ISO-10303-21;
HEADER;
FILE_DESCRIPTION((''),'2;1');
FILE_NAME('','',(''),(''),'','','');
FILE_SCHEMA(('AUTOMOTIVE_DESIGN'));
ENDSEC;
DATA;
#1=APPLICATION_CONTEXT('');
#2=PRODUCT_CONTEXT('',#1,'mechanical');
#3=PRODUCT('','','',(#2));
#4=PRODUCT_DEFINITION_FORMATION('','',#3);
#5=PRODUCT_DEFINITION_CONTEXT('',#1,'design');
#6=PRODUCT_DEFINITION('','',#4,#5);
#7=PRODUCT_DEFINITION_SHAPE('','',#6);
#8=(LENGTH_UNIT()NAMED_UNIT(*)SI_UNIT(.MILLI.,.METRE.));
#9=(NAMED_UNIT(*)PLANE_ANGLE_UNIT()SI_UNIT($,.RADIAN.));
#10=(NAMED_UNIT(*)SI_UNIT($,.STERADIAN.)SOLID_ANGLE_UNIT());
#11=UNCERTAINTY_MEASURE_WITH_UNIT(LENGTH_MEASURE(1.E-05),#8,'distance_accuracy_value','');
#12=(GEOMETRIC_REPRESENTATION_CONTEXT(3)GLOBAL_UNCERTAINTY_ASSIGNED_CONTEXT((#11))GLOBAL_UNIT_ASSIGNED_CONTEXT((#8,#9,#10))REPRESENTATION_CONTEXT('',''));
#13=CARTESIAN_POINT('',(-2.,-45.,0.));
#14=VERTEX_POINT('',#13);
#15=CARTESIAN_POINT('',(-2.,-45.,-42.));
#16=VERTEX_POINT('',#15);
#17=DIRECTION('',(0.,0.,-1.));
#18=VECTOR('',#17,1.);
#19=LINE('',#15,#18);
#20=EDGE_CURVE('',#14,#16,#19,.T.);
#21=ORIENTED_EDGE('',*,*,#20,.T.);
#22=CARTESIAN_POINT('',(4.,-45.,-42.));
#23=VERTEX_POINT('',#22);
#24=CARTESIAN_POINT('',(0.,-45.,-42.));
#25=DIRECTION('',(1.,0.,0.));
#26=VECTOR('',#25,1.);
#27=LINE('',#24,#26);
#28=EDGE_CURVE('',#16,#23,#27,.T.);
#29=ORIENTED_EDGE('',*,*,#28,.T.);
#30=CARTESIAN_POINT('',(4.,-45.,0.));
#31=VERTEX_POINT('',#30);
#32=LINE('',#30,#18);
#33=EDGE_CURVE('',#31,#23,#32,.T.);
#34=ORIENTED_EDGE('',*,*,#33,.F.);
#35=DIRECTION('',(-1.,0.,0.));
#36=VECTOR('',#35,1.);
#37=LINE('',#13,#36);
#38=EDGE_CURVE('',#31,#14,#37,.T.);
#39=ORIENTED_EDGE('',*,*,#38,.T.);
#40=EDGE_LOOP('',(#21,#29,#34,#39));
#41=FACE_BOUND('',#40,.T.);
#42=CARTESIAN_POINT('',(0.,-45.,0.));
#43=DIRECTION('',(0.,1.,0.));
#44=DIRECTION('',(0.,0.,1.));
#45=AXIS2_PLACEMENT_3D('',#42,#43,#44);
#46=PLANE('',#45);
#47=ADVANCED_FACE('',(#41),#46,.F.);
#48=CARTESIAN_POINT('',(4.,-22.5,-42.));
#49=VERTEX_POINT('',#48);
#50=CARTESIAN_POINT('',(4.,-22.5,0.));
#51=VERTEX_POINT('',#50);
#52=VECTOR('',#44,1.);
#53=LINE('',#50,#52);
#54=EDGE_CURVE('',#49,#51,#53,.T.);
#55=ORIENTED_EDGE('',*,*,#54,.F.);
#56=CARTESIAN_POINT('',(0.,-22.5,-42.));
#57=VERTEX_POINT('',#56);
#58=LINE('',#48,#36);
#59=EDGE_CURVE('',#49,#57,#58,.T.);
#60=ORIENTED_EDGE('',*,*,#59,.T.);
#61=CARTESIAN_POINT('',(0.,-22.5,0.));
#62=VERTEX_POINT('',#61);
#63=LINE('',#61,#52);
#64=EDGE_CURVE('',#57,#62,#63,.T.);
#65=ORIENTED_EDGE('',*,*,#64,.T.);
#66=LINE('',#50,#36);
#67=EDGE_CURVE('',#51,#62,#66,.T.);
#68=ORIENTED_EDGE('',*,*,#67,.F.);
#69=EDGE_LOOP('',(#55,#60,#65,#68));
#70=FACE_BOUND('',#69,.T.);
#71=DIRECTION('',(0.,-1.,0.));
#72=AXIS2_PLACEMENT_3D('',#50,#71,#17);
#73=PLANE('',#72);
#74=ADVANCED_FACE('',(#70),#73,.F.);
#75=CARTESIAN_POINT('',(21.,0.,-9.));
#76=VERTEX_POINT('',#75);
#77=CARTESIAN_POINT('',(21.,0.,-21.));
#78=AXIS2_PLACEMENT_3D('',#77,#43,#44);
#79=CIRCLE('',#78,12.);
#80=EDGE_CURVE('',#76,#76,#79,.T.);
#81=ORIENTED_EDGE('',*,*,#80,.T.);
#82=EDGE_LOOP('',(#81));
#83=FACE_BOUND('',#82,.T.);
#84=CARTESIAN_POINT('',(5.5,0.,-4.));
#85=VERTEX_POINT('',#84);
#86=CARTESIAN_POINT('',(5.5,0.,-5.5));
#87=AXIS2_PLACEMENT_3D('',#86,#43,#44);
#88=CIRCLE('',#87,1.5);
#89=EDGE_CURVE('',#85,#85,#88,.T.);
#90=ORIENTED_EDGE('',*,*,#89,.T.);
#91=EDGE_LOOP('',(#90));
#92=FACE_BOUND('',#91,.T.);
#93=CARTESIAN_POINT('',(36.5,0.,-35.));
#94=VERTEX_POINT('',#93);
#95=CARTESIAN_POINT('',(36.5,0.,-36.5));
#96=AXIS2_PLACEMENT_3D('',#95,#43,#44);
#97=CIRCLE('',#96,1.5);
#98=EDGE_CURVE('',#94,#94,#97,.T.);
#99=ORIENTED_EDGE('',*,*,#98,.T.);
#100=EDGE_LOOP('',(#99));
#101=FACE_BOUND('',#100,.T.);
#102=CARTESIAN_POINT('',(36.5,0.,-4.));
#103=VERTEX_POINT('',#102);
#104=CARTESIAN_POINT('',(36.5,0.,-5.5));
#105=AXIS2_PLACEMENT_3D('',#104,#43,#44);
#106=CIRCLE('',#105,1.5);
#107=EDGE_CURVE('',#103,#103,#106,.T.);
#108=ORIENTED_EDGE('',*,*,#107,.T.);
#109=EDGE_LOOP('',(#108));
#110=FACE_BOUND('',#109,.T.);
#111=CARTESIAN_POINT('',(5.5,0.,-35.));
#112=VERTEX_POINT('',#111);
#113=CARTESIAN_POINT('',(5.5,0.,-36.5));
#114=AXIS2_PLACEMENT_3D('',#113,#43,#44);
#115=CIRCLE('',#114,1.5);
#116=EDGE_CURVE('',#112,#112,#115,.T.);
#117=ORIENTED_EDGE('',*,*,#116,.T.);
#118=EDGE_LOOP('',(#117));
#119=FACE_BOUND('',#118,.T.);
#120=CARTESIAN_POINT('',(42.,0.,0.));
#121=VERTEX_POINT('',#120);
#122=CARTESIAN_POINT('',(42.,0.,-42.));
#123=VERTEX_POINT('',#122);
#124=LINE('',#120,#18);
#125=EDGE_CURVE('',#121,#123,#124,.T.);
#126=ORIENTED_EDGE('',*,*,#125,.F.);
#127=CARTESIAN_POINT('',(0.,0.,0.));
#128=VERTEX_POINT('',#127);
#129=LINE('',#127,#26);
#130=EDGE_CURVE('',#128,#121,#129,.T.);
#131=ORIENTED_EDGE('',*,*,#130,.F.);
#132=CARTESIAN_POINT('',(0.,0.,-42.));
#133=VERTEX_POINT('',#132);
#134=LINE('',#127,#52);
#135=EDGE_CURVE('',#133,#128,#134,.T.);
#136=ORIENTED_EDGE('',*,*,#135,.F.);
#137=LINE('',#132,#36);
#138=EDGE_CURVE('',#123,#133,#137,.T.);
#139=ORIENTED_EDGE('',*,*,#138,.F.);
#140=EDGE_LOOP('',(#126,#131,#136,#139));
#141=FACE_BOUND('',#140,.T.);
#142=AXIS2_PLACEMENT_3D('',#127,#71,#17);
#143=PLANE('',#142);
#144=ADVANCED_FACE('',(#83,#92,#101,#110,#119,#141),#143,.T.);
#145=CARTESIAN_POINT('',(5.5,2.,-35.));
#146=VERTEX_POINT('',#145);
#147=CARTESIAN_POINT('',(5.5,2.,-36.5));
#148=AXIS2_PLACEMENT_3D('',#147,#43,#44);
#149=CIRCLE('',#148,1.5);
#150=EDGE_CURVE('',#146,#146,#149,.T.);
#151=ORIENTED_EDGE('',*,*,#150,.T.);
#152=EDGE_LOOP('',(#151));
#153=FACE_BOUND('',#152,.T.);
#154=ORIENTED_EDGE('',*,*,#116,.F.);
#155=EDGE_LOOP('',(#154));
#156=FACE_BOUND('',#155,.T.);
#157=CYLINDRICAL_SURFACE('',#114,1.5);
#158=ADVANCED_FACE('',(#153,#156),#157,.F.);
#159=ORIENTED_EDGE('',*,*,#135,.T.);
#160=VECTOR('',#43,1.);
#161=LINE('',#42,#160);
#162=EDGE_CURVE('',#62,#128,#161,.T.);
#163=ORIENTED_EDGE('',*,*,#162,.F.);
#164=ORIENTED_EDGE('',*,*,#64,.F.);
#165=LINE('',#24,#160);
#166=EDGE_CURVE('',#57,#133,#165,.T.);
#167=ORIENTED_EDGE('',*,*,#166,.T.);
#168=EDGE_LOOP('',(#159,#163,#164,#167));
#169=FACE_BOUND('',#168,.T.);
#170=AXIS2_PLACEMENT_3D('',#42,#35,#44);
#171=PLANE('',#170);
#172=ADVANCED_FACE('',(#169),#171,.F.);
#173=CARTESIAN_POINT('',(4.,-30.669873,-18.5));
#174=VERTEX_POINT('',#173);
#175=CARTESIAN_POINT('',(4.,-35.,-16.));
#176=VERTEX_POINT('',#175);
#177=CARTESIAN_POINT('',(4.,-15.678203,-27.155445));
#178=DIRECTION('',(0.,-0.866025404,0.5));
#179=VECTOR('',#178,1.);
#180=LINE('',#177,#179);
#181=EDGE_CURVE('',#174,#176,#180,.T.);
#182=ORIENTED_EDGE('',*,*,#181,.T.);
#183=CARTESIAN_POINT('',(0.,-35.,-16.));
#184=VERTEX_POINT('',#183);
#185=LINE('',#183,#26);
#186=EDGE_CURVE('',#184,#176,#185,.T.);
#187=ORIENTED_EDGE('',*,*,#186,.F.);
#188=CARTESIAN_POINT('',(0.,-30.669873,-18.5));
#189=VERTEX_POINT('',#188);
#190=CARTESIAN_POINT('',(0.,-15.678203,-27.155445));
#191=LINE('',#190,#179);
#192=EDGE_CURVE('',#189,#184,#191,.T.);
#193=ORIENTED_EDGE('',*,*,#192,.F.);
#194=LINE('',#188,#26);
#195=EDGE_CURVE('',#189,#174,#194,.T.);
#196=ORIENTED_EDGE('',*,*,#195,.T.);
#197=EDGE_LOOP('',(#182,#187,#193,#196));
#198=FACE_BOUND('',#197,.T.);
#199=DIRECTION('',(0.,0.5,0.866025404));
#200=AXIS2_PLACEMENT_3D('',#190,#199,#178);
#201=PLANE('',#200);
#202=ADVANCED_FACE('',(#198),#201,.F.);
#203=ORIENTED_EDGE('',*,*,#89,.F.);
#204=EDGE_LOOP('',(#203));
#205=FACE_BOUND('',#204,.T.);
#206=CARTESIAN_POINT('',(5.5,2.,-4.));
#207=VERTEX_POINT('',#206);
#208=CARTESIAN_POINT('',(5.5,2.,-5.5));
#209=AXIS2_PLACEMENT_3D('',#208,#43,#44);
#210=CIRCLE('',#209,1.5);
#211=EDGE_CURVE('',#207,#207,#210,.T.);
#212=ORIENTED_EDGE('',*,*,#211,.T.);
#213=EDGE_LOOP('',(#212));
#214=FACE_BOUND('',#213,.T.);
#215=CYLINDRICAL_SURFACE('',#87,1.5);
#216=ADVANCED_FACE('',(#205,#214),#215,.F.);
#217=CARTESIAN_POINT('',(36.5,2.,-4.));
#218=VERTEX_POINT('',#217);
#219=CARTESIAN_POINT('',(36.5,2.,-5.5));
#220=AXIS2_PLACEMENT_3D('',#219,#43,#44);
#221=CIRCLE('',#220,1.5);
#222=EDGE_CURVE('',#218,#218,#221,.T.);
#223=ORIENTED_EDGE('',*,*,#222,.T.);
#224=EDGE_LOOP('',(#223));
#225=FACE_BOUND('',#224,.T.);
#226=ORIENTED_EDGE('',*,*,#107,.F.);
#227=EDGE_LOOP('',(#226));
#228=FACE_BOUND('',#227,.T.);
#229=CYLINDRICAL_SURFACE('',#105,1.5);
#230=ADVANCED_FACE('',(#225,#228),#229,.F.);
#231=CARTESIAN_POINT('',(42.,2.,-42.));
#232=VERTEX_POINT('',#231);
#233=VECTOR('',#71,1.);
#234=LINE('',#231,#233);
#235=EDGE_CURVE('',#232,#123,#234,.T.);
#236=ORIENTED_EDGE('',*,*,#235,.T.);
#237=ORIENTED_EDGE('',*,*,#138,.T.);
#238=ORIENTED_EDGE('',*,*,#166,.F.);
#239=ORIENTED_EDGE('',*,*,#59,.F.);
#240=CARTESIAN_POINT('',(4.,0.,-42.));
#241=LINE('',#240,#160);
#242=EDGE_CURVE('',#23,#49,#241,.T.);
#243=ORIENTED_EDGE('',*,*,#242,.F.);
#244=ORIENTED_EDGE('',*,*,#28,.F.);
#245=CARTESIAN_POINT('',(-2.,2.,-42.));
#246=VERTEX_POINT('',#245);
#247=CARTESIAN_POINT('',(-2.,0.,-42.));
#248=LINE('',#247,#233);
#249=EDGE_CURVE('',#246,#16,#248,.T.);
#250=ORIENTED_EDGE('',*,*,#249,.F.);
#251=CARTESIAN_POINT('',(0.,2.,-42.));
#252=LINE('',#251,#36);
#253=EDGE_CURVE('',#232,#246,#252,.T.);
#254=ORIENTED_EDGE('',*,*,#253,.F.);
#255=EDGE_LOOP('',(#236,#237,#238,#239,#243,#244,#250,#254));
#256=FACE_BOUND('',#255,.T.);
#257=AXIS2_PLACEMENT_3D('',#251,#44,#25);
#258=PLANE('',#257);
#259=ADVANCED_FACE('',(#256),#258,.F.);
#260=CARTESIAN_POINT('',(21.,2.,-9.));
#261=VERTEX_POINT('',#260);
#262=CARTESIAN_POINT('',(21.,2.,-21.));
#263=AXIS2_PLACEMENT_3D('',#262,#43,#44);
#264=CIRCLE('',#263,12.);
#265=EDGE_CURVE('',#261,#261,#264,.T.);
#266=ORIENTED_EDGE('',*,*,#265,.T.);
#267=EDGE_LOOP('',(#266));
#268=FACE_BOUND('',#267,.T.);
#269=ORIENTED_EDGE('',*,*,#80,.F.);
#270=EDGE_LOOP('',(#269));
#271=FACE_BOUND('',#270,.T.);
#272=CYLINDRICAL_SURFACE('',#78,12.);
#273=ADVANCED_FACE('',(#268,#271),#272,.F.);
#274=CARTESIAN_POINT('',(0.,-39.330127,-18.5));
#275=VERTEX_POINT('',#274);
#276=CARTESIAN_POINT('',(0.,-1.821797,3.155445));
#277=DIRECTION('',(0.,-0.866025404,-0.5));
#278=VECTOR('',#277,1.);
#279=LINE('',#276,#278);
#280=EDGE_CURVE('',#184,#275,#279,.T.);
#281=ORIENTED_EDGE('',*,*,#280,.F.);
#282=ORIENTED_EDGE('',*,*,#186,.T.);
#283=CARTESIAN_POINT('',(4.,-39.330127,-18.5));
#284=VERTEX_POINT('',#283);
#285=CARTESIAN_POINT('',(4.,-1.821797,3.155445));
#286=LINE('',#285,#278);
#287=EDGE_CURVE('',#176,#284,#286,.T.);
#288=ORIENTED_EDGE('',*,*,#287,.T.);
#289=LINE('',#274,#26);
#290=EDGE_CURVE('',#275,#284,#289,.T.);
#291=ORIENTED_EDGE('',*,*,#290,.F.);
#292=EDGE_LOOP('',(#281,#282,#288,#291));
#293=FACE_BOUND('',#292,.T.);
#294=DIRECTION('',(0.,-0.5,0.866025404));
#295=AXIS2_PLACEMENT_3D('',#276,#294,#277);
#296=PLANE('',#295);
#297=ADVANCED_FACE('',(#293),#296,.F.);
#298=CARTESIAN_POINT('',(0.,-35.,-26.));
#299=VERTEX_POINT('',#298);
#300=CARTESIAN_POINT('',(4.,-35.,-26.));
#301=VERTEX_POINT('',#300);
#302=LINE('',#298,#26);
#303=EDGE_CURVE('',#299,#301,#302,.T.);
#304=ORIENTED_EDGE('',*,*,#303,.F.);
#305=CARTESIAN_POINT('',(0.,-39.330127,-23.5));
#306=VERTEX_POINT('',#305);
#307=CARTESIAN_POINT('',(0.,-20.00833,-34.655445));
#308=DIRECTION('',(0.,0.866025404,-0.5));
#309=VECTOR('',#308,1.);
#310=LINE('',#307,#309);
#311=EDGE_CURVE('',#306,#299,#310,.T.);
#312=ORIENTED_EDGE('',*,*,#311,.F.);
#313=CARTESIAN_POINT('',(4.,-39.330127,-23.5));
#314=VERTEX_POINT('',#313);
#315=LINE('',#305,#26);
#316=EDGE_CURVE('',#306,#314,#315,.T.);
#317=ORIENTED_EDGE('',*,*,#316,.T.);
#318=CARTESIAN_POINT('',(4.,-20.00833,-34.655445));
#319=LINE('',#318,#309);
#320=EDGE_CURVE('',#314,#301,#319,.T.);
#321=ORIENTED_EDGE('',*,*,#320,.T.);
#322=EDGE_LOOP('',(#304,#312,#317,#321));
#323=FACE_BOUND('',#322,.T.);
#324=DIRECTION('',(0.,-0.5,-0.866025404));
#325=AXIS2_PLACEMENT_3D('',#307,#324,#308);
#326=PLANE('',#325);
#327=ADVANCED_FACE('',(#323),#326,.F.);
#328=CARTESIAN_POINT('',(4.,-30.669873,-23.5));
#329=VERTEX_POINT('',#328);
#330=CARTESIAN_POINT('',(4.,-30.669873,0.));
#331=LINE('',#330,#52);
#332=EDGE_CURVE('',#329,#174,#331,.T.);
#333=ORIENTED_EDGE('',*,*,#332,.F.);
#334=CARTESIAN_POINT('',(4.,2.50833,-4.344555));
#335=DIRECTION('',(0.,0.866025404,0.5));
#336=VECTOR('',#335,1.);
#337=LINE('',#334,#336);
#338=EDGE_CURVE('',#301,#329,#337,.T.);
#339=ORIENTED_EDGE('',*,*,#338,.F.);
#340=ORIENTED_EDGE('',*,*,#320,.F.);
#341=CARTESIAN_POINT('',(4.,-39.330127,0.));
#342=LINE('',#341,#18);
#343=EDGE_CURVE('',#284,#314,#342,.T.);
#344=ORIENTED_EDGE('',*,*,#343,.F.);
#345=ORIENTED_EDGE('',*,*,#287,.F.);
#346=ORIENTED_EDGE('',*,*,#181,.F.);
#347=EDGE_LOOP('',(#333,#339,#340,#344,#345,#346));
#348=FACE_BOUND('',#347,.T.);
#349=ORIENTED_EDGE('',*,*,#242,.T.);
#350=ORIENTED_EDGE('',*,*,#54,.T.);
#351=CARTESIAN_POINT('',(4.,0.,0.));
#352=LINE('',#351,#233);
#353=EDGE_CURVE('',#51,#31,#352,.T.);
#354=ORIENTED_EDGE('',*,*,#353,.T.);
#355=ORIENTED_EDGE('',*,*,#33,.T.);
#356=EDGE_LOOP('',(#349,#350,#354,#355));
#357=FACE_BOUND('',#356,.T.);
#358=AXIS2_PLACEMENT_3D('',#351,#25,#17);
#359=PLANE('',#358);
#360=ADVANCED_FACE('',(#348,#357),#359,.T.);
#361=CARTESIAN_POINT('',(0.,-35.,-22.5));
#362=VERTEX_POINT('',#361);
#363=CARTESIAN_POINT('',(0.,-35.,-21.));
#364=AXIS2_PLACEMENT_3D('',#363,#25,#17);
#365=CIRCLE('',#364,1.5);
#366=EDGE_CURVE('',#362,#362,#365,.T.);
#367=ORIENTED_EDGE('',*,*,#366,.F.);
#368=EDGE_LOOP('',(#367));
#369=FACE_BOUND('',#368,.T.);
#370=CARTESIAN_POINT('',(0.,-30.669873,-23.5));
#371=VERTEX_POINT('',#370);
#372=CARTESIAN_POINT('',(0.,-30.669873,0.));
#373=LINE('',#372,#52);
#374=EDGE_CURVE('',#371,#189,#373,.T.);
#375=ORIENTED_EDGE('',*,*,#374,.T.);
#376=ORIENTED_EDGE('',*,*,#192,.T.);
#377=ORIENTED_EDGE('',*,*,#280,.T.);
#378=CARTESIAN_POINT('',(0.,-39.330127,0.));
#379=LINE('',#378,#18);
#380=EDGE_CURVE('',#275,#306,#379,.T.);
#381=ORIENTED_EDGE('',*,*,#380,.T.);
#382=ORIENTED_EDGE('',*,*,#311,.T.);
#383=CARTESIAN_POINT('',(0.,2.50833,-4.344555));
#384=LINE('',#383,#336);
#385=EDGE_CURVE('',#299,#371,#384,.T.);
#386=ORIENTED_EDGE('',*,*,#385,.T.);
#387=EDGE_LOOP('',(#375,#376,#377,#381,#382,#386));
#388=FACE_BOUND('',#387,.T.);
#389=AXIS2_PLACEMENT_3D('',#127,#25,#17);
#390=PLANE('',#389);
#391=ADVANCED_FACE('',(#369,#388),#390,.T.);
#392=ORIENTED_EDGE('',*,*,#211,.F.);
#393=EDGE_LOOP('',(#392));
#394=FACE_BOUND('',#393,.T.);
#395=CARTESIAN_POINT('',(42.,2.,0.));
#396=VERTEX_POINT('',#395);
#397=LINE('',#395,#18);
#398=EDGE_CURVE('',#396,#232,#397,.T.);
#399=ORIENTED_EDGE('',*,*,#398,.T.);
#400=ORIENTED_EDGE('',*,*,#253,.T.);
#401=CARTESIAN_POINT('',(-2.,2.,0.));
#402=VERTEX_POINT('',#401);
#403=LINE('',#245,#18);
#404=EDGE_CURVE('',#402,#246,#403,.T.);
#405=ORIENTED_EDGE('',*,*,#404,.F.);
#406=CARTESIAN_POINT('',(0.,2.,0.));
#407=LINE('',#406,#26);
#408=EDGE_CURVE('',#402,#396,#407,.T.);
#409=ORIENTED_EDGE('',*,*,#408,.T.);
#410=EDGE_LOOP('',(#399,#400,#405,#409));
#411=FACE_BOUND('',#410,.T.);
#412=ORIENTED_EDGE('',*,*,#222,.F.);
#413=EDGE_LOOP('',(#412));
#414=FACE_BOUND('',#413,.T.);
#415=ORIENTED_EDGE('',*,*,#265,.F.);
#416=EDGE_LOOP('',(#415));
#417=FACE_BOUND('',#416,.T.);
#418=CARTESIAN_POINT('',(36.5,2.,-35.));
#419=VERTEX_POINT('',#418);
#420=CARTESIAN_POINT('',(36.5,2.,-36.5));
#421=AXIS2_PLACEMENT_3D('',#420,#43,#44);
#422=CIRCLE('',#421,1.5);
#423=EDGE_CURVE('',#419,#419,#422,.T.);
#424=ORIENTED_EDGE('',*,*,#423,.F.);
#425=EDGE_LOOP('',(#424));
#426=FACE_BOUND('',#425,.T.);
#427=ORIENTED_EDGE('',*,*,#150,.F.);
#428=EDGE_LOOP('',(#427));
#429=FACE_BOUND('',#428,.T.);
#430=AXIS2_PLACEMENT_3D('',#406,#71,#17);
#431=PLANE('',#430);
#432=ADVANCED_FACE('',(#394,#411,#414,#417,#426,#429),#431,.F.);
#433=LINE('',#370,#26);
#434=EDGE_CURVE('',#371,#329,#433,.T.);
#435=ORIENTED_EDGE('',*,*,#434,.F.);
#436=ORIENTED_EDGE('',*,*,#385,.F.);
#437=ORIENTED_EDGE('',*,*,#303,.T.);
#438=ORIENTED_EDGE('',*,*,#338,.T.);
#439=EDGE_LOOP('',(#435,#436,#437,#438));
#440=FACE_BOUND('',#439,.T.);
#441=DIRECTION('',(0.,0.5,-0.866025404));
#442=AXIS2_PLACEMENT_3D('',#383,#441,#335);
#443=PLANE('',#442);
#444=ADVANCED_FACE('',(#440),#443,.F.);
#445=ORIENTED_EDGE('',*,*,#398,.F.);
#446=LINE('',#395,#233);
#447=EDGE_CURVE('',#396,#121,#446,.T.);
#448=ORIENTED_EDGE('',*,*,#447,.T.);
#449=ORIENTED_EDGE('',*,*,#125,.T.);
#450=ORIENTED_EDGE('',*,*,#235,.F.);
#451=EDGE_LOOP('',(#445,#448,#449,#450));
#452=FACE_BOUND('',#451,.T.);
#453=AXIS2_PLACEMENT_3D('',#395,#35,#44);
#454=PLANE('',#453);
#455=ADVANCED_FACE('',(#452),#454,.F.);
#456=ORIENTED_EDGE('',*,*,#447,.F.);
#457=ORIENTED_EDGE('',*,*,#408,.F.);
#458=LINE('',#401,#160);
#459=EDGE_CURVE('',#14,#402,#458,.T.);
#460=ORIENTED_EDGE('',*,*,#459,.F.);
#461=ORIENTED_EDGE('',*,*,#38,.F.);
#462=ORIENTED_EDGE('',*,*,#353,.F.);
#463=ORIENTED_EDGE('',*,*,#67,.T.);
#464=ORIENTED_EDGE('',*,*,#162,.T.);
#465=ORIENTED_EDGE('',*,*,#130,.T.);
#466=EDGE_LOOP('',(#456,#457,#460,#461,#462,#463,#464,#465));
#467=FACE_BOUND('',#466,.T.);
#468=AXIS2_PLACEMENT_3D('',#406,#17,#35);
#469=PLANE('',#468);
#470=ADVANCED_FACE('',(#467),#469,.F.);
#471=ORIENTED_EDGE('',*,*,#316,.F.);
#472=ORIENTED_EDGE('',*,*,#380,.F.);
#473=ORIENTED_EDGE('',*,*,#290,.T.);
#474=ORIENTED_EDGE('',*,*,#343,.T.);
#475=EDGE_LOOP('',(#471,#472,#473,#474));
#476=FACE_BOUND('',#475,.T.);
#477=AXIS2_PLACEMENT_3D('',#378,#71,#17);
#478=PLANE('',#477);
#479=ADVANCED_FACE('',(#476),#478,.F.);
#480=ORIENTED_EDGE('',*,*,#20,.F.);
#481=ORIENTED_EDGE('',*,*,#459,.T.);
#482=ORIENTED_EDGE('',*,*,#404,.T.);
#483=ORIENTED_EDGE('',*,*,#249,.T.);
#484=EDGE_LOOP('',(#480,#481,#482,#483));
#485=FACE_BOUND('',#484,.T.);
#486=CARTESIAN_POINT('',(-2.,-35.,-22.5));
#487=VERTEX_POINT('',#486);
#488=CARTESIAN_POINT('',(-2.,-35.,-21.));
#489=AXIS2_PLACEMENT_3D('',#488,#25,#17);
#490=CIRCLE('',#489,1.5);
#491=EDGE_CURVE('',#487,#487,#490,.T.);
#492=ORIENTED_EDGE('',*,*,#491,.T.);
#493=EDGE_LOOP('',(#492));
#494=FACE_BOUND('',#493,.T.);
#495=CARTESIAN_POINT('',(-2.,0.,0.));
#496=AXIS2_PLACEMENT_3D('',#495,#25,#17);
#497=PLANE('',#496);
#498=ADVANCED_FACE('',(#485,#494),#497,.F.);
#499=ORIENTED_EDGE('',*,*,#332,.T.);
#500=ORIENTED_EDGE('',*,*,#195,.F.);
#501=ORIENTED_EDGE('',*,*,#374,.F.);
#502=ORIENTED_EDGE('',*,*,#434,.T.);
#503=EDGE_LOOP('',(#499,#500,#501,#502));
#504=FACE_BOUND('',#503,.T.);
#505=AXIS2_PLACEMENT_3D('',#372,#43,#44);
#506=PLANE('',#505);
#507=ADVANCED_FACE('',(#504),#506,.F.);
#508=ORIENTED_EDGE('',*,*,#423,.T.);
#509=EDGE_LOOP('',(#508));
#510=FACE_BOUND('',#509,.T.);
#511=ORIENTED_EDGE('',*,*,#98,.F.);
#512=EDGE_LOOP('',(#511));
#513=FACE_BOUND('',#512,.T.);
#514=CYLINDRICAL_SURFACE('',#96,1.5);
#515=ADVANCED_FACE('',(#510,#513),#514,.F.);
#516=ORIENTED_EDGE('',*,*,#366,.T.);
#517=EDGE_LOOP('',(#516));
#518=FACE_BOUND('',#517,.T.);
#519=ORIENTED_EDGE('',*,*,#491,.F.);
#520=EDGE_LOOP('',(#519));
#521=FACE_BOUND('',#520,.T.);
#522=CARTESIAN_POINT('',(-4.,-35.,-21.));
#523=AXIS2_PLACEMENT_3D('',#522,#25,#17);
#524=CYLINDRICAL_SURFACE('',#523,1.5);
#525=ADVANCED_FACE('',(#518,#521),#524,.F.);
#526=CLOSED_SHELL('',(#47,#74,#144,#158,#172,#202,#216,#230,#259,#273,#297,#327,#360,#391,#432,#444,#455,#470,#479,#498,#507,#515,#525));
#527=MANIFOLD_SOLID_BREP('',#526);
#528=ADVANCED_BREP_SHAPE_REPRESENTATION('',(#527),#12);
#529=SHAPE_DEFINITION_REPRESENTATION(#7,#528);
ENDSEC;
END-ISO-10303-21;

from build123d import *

# Parameters (mm, degrees)
SKETCH_1_W          = 42
SKETCH_1_H          = 42
EXTRUDE_1_DEPTH     = 2
SKETCH_2_R          = 12
SKETCH_2_R_2        = 1.5
CUT_EXTRUDE_1_DEPTH = 2
SKETCH_3_W          = 42
SKETCH_3_H          = 2
EXTRUDE_3_DEPTH     = 2
SKETCH_4_W          = 2
SKETCH_4_H          = 42
EXTRUDE_4_DEPTH     = 45
EXTRUDE_5_DEPTH     = 4
CUT_EXTRUDE_2_DEPTH = 4
CUT_EXTRUDE_3_DEPTH = 4


with BuildPart() as part:
    # 草图1 → 凸台-拉伸1 (new body)
    with BuildSketch(Plane(origin=(0, 0, 0), x_dir=(1, 0, 0), z_dir=(0, 1, 0))):
        with Locations((21, 21)):
            Rectangle(SKETCH_1_W, SKETCH_1_H)
    extrude(amount=EXTRUDE_1_DEPTH)

    # 草图2 → 切除-拉伸1 (cut)
    with BuildSketch(Plane(origin=(0, 2, 0), x_dir=(1, 0, 0), z_dir=(0, 1, 0))):
        with Locations(Location((21, 21, 0), (0, 0, 270))):
            Circle(SKETCH_2_R)
        with Locations(Location((36.5, 36.5, 0), (0, 0, 270))):
            Circle(SKETCH_2_R_2)
        with Locations(Location((36.5, 5.5, 0), (0, 0, 270))):
            Circle(SKETCH_2_R_2)
        with Locations(Location((5.5, 5.5, 0), (0, 0, 270))):
            Circle(SKETCH_2_R_2)
        with Locations(Location((5.5, 36.5, 0), (0, 0, 270))):
            Circle(SKETCH_2_R_2)
    extrude(amount=-CUT_EXTRUDE_1_DEPTH, mode=Mode.SUBTRACT)

    # 草图3 → 凸台-拉伸3 (add)
    with BuildSketch(Plane.ZY):
        with Locations((-21, 1)):
            Rectangle(SKETCH_3_W, SKETCH_3_H)
    extrude(amount=EXTRUDE_3_DEPTH)

    # 草图4 → 凸台-拉伸4 (add)
    with BuildSketch(Plane.XZ):
        with Locations((-1, -21)):
            Rectangle(SKETCH_4_W, SKETCH_4_H)
    extrude(amount=EXTRUDE_4_DEPTH)

    # 草图5 → 凸台-拉伸5 (add)
    with BuildSketch(Plane(origin=(0, 0, 0), x_dir=(0, 0, -1), z_dir=(1, 0, 0))):
        Polygon((0, -22.5), (0, -45), (42, -45), (42, -22.5), (21, -22.5), align=None)
    extrude(amount=EXTRUDE_5_DEPTH)

    # 草图6 → 切除-拉伸2 (cut)
    with BuildSketch(Plane(origin=(4, 0, 0), x_dir=(0, 0, -1), z_dir=(1, 0, 0))):
        Polygon((26, -35), (23.5, -30.669872981), (18.5, -30.669872981), (16, -35), (18.5, -39.330127019), (23.5, -39.330127019), align=None)
    extrude(amount=-CUT_EXTRUDE_2_DEPTH, mode=Mode.SUBTRACT)

    # 草图7 → 切除-拉伸3 (cut)
    with BuildSketch(Plane(origin=(0, 0, 0), x_dir=(0, 0, -1), z_dir=(1, 0, 0))):
        with BuildLine():
            ThreePointArc((22.5, -35), (21, -33.5), (19.5, -35))
            Line((19.5, -35), (22.5, -35))
        make_face()
        with BuildLine():
            Line((22.5, -35), (19.5, -35))
            ThreePointArc((19.5, -35), (21, -36.5), (22.5, -35))
        make_face()
    extrude(amount=-CUT_EXTRUDE_3_DEPTH, mode=Mode.SUBTRACT)


solid = part.part
